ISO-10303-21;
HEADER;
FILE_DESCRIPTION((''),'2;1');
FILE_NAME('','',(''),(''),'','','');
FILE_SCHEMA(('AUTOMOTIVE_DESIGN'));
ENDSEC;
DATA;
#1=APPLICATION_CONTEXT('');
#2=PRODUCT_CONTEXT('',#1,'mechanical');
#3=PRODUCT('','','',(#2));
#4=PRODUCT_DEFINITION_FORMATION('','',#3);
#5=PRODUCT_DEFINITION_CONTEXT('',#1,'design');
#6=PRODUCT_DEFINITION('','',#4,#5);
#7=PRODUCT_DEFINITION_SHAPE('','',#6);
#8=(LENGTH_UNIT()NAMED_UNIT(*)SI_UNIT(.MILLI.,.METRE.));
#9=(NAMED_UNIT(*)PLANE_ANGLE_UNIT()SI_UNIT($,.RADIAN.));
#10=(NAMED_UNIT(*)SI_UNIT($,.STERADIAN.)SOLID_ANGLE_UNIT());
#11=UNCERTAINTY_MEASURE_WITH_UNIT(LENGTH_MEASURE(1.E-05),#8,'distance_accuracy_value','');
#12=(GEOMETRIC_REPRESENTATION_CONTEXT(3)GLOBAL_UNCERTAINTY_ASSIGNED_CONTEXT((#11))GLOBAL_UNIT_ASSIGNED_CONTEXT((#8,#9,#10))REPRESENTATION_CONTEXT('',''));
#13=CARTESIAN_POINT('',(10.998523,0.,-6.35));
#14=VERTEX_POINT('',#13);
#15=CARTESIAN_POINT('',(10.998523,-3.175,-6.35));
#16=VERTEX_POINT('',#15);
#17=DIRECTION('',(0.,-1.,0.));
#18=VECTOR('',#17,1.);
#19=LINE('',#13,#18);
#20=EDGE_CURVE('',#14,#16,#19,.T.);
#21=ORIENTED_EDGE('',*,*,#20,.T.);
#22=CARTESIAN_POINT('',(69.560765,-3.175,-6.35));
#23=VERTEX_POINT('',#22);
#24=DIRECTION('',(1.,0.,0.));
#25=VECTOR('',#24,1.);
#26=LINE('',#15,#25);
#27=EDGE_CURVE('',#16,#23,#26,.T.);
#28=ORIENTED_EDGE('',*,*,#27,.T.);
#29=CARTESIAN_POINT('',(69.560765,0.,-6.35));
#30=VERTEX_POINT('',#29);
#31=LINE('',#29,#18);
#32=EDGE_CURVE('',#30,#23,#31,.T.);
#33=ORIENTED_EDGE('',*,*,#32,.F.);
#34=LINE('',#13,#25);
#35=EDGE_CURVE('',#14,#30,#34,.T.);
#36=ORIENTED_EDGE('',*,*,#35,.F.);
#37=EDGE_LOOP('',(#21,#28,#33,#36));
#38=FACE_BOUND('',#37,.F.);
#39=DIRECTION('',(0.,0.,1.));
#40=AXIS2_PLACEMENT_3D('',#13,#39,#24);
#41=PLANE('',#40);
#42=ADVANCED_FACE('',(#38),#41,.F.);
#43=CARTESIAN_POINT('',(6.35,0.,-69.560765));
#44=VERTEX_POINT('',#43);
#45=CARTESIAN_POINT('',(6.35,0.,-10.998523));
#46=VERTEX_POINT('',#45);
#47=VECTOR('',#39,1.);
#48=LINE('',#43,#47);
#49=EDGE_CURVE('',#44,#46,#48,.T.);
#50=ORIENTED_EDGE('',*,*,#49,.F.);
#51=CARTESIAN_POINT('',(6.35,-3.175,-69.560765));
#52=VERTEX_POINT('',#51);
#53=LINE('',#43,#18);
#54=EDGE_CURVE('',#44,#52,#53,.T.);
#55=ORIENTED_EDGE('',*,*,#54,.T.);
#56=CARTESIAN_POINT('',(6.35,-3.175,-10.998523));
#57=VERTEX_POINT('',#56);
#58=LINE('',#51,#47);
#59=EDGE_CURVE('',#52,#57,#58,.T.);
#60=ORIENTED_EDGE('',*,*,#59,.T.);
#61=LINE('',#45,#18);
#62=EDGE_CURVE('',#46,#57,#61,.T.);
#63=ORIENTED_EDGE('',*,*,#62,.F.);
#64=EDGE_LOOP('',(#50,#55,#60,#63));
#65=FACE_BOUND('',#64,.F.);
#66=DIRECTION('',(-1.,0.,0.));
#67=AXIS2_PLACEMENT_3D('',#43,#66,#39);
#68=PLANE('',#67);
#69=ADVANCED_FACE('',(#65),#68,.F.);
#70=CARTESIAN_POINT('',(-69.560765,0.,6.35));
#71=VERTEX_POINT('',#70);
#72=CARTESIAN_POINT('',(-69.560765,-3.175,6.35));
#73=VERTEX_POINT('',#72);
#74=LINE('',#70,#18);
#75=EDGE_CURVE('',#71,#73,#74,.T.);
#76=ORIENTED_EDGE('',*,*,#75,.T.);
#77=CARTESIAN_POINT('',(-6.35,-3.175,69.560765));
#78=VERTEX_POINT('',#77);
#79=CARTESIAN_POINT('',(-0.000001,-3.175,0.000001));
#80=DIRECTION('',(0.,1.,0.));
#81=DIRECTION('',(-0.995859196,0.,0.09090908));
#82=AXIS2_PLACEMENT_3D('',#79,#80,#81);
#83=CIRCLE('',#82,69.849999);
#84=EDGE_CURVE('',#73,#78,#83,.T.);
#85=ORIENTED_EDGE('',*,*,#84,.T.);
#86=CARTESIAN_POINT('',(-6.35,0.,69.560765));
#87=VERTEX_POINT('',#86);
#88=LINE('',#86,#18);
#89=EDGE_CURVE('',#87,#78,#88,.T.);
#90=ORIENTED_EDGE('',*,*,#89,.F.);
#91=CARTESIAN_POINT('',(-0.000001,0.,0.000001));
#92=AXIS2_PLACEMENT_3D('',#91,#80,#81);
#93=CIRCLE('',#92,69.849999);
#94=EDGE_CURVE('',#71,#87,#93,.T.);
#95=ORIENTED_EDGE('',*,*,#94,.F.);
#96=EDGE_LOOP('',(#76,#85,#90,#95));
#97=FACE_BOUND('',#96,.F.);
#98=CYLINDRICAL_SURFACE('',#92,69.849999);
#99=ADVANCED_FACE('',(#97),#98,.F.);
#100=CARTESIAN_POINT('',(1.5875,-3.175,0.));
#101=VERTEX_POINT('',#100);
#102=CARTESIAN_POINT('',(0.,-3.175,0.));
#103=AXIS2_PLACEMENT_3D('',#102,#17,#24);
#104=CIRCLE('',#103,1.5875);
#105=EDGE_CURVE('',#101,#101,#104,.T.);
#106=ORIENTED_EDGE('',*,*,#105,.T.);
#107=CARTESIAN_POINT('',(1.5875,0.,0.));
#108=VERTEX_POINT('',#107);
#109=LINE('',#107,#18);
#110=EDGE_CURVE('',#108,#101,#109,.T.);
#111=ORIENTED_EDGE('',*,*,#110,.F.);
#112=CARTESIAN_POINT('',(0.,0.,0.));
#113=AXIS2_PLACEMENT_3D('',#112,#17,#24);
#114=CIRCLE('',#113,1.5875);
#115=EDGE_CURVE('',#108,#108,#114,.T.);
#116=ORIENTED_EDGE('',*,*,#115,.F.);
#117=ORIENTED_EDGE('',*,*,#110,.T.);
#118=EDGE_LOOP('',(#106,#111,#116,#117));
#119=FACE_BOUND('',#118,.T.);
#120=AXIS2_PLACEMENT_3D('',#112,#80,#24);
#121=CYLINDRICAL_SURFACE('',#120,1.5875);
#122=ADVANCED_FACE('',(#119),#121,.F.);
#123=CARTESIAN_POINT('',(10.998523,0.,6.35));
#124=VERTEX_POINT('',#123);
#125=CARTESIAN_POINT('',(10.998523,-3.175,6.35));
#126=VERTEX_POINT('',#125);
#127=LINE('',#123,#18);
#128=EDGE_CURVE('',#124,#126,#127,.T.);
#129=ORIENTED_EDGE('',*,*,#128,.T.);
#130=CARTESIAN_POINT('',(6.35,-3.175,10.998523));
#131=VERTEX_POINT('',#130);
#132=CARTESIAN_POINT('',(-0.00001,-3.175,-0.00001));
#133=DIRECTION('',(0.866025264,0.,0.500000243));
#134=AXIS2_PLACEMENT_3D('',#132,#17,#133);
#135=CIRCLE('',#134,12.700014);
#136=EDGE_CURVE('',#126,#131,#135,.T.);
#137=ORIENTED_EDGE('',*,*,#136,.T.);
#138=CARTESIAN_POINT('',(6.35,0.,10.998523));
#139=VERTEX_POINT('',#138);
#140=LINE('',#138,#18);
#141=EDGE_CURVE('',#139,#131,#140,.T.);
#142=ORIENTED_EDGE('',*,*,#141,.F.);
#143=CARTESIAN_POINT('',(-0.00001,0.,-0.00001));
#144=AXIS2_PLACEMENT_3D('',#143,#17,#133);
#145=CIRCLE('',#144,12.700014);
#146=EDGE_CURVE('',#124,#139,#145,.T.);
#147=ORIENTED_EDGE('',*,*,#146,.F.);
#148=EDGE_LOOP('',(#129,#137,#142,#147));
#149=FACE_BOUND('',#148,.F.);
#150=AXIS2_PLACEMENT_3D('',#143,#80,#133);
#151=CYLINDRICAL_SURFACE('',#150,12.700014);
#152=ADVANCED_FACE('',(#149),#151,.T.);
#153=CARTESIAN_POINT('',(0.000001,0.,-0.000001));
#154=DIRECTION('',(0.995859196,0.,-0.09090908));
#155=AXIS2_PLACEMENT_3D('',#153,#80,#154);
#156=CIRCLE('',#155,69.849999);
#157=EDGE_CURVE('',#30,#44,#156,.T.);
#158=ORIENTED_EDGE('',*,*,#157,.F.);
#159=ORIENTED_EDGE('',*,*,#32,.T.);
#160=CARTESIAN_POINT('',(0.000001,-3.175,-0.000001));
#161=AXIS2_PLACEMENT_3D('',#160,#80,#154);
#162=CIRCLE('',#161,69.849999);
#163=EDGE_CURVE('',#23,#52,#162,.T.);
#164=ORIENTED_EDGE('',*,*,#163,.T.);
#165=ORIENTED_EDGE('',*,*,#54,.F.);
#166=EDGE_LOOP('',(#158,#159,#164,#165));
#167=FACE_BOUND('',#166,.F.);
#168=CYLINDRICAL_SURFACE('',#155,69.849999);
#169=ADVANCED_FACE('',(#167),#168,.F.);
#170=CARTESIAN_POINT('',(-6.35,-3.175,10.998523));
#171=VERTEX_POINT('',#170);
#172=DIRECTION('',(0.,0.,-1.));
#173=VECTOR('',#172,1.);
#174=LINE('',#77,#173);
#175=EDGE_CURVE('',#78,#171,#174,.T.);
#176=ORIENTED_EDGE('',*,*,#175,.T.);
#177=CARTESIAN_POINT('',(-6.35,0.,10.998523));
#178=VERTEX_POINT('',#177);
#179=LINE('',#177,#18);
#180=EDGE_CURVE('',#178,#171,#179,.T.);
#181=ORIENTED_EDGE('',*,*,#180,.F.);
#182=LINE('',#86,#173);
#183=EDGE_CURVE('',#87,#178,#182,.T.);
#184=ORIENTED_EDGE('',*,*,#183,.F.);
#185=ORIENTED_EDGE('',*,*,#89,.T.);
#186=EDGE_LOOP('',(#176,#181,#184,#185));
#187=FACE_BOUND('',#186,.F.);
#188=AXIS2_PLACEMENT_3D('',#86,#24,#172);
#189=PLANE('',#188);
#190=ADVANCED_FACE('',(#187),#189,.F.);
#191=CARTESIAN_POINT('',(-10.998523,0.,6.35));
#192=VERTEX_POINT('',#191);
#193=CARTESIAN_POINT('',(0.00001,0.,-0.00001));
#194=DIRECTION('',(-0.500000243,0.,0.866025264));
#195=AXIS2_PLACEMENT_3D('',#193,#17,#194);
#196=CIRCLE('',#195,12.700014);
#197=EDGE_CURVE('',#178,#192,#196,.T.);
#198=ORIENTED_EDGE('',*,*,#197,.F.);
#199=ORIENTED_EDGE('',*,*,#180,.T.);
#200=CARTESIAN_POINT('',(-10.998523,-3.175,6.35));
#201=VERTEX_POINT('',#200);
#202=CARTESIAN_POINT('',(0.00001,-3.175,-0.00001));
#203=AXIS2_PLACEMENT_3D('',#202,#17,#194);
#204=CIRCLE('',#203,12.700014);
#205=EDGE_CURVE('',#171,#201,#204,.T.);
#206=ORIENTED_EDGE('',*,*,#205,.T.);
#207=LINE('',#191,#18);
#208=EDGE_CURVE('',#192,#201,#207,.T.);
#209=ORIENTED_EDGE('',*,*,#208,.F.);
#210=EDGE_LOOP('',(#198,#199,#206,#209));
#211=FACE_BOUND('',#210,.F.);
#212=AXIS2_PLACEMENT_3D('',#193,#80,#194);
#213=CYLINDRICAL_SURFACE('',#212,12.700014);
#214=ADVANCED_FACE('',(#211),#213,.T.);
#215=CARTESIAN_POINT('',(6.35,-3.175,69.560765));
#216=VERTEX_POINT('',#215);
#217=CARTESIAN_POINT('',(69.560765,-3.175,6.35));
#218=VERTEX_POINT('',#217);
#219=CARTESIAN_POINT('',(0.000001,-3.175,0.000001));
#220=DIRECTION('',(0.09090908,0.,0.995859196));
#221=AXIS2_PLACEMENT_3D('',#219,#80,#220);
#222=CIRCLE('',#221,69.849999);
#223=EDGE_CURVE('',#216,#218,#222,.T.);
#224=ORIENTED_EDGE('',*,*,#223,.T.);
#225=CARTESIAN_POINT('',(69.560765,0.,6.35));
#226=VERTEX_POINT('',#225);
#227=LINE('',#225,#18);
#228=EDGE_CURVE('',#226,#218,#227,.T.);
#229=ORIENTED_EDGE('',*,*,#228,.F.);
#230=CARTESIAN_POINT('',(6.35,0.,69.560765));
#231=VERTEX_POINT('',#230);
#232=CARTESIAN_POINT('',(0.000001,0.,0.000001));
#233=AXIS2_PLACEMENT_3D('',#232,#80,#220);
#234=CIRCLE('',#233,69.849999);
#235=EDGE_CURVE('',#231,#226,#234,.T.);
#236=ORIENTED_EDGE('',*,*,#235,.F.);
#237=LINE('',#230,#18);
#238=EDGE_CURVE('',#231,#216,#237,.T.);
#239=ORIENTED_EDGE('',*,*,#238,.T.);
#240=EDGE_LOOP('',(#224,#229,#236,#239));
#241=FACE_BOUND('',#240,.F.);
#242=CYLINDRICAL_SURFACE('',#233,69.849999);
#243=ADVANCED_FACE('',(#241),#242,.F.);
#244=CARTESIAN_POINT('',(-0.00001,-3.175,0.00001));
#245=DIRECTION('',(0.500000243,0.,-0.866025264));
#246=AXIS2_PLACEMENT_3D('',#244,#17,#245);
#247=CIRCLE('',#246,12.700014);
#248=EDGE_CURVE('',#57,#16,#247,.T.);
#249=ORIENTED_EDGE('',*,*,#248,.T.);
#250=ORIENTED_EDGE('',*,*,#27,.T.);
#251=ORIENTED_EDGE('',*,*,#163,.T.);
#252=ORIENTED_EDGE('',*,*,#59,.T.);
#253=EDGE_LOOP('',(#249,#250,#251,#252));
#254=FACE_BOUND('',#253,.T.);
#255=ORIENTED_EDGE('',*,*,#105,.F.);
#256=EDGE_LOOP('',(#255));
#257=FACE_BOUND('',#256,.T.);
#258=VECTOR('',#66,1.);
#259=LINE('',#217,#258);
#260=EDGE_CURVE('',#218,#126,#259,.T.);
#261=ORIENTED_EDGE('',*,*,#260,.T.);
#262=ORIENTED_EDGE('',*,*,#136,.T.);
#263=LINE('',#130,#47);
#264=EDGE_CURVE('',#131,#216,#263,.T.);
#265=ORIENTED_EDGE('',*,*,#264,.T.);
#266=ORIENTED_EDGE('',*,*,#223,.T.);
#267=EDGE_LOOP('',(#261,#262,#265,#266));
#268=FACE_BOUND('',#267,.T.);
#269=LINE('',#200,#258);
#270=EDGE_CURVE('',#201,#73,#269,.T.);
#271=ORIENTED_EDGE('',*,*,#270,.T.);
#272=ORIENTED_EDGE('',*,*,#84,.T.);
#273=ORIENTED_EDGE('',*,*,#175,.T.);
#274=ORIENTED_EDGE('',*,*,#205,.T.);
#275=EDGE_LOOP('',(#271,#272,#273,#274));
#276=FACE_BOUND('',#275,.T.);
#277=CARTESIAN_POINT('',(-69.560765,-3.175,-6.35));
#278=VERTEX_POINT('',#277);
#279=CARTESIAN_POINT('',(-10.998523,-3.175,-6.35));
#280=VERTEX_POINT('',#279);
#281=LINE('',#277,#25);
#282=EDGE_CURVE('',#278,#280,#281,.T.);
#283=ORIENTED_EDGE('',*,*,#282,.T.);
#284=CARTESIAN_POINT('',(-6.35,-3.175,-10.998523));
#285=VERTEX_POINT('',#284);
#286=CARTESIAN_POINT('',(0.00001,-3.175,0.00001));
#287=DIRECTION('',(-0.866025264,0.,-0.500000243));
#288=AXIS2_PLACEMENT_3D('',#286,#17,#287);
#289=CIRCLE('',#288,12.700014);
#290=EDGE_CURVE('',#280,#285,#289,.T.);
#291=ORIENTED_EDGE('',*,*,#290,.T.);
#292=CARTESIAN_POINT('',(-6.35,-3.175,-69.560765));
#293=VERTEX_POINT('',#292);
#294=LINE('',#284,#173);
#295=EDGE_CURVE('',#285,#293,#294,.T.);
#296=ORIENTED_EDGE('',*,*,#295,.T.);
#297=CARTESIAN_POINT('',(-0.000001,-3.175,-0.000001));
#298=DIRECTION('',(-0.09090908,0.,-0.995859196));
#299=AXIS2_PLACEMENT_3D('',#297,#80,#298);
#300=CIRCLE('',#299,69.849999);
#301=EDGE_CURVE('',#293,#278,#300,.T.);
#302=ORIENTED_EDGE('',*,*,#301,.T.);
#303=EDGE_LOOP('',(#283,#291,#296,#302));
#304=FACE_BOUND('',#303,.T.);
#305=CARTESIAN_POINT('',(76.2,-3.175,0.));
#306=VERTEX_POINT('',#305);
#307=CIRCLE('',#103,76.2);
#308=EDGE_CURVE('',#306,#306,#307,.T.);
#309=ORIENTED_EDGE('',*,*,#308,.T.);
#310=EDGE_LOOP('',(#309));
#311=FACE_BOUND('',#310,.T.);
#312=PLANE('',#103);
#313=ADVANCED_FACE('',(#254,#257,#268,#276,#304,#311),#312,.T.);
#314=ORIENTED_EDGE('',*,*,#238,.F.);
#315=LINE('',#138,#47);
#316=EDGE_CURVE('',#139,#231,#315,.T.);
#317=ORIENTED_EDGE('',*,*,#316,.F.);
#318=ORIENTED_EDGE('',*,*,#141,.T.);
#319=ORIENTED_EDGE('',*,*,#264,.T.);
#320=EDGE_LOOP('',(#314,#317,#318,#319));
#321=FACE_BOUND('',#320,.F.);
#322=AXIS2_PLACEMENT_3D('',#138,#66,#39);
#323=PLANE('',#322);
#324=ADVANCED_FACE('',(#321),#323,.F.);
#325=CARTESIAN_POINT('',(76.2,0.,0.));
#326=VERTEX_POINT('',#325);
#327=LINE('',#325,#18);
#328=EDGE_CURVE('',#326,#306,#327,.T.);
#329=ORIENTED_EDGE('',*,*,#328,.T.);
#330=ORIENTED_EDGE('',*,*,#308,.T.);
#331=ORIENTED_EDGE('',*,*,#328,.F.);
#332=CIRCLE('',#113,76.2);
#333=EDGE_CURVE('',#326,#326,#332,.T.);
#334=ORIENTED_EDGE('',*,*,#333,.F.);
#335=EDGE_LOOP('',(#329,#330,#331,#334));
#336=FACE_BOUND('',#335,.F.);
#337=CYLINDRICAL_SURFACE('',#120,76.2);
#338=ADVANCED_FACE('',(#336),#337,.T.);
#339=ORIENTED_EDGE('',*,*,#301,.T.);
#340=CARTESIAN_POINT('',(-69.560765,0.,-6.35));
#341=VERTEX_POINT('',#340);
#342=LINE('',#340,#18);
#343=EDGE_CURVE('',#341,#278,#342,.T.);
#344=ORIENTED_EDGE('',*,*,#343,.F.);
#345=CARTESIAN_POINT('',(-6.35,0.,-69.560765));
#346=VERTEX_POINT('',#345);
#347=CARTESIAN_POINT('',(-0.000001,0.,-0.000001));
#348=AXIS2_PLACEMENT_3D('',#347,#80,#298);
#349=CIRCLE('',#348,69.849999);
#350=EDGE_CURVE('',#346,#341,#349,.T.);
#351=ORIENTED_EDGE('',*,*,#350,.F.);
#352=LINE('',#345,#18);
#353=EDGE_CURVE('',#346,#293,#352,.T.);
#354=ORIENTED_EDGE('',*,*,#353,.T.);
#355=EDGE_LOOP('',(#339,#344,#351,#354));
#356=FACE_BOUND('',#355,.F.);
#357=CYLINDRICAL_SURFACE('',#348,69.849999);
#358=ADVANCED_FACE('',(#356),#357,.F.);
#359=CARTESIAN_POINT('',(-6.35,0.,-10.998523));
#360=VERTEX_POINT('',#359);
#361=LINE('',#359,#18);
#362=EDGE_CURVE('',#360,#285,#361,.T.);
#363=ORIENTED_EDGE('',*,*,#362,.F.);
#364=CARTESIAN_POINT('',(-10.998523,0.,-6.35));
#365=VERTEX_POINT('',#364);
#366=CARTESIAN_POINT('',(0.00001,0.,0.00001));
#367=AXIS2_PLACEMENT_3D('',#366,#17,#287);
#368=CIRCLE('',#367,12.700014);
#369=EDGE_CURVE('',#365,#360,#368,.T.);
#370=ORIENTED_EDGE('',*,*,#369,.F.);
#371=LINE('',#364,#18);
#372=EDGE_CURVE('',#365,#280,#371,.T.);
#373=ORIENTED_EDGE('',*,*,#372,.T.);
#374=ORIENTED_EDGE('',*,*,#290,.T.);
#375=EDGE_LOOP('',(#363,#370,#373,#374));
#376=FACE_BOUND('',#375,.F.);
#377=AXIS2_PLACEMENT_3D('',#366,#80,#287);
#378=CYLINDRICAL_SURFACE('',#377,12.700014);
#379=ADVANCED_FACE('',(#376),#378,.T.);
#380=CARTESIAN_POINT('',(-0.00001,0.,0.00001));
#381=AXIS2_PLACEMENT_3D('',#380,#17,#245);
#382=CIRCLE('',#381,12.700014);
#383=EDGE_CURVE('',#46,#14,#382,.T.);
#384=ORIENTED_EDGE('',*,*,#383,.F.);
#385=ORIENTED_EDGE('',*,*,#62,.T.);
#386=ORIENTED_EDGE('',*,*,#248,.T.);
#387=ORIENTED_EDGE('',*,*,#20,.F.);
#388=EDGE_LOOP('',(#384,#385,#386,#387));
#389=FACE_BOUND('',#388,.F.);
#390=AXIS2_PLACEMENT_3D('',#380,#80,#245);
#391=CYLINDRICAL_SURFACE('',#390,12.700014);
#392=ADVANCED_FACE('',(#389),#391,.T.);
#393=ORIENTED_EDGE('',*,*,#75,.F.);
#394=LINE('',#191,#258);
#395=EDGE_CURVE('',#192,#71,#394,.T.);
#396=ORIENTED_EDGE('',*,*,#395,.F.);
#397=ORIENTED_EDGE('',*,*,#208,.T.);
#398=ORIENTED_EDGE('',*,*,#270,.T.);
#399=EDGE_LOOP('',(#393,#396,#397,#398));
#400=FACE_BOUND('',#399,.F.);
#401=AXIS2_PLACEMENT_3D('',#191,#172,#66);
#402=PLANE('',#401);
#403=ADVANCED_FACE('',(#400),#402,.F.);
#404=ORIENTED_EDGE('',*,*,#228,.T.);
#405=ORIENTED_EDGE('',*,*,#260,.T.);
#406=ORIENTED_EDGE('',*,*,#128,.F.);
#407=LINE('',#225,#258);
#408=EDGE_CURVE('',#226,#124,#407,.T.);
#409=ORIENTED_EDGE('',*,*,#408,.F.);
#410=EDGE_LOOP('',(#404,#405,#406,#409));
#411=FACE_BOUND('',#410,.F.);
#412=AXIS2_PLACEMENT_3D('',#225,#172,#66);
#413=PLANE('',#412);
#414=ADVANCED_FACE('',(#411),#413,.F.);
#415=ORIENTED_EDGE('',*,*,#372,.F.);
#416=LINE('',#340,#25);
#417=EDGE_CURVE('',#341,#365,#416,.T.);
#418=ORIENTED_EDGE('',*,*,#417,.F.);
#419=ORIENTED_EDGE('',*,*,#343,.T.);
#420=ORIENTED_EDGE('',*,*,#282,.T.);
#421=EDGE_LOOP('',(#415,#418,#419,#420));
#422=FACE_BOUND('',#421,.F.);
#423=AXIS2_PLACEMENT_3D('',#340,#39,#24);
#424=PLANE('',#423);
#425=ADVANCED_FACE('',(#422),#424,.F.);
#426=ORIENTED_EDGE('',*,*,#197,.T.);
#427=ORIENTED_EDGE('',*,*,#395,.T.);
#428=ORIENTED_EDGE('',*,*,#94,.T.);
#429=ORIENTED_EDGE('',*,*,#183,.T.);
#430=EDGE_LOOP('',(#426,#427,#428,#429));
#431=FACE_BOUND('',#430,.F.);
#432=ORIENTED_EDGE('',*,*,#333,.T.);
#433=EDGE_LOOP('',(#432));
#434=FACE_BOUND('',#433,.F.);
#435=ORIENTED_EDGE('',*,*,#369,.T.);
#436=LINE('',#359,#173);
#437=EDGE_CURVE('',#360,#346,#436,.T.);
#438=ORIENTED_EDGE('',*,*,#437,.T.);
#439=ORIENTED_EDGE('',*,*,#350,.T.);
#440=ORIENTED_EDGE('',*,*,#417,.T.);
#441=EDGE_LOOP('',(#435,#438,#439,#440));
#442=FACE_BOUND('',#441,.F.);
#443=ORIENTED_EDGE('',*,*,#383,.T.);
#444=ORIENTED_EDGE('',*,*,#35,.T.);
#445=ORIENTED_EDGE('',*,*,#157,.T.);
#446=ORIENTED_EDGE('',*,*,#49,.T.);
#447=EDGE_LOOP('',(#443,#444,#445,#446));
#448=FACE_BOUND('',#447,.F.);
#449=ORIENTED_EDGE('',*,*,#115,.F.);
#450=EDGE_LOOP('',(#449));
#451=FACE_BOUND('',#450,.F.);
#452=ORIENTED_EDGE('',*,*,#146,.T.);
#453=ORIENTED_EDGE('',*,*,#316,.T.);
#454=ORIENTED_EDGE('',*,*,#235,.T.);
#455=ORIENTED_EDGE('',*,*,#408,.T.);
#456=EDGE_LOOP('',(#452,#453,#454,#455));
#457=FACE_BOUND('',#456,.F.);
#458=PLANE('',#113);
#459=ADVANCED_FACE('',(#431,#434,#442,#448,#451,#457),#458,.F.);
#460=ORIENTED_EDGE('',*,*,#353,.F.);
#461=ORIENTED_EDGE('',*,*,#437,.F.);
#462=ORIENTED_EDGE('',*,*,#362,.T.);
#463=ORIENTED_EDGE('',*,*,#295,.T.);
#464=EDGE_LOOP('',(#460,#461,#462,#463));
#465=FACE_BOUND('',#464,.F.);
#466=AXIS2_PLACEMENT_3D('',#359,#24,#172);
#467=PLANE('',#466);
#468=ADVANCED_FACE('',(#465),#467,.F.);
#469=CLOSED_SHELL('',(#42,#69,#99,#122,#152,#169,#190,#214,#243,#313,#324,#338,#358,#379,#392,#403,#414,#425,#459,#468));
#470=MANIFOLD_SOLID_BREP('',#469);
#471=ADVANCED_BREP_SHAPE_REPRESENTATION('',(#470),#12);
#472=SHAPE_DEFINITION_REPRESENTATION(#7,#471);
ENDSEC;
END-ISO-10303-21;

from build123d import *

# Parameters (mm, degrees)
F0_R     = 76.2
F0_R_2   = 1.5875
F1_DEPTH = 3.175


with BuildPart() as f1:
    # F0 (on Front) → F1 (new body)
    with BuildSketch(Plane.XZ):
        Circle(F0_R)
        with BuildLine():
            Line((-69.560765, -6.35), (-10.998523, -6.35))
            ThreePointArc((-10.998523, -6.35), (-8.980256, -8.980256), (-6.35, -10.998523))
            Line((-6.35, -10.998523), (-6.35, -69.560765))
            ThreePointArc((-6.35, -69.560765), (-49.391409, -49.391409), (-69.560765, -6.35))
        make_face(mode=Mode.SUBTRACT)
        with BuildLine():
            Line((6.35, -69.560765), (6.35, -10.998523))
            ThreePointArc((6.35, -10.998523), (8.980256, -8.980256), (10.998523, -6.35))
            Line((10.998523, -6.35), (69.560765, -6.35))
            ThreePointArc((69.560765, -6.35), (49.391409, -49.391409), (6.35, -69.560765))
        make_face(mode=Mode.SUBTRACT)
        with BuildLine():
            ThreePointArc((-69.560765, 6.35), (-49.391409, 49.391409), (-6.35, 69.560765))
            Line((-6.35, 69.560765), (-6.35, 10.998523))
            ThreePointArc((-6.35, 10.998523), (-8.980256, 8.980256), (-10.998523, 6.35))
            Line((-10.998523, 6.35), (-69.560765, 6.35))
        make_face(mode=Mode.SUBTRACT)
        Circle(F0_R_2, mode=Mode.SUBTRACT)
        with BuildLine():
            Line((6.35, 10.998523), (6.35, 69.560765))
            ThreePointArc((6.35, 69.560765), (49.391409, 49.391409), (69.560765, 6.35))
            Line((69.560765, 6.35), (10.998523, 6.35))
            ThreePointArc((10.998523, 6.35), (8.980256, 8.980256), (6.35, 10.998523))
        make_face(mode=Mode.SUBTRACT)
    extrude(amount=F1_DEPTH)


solid = f1.part
